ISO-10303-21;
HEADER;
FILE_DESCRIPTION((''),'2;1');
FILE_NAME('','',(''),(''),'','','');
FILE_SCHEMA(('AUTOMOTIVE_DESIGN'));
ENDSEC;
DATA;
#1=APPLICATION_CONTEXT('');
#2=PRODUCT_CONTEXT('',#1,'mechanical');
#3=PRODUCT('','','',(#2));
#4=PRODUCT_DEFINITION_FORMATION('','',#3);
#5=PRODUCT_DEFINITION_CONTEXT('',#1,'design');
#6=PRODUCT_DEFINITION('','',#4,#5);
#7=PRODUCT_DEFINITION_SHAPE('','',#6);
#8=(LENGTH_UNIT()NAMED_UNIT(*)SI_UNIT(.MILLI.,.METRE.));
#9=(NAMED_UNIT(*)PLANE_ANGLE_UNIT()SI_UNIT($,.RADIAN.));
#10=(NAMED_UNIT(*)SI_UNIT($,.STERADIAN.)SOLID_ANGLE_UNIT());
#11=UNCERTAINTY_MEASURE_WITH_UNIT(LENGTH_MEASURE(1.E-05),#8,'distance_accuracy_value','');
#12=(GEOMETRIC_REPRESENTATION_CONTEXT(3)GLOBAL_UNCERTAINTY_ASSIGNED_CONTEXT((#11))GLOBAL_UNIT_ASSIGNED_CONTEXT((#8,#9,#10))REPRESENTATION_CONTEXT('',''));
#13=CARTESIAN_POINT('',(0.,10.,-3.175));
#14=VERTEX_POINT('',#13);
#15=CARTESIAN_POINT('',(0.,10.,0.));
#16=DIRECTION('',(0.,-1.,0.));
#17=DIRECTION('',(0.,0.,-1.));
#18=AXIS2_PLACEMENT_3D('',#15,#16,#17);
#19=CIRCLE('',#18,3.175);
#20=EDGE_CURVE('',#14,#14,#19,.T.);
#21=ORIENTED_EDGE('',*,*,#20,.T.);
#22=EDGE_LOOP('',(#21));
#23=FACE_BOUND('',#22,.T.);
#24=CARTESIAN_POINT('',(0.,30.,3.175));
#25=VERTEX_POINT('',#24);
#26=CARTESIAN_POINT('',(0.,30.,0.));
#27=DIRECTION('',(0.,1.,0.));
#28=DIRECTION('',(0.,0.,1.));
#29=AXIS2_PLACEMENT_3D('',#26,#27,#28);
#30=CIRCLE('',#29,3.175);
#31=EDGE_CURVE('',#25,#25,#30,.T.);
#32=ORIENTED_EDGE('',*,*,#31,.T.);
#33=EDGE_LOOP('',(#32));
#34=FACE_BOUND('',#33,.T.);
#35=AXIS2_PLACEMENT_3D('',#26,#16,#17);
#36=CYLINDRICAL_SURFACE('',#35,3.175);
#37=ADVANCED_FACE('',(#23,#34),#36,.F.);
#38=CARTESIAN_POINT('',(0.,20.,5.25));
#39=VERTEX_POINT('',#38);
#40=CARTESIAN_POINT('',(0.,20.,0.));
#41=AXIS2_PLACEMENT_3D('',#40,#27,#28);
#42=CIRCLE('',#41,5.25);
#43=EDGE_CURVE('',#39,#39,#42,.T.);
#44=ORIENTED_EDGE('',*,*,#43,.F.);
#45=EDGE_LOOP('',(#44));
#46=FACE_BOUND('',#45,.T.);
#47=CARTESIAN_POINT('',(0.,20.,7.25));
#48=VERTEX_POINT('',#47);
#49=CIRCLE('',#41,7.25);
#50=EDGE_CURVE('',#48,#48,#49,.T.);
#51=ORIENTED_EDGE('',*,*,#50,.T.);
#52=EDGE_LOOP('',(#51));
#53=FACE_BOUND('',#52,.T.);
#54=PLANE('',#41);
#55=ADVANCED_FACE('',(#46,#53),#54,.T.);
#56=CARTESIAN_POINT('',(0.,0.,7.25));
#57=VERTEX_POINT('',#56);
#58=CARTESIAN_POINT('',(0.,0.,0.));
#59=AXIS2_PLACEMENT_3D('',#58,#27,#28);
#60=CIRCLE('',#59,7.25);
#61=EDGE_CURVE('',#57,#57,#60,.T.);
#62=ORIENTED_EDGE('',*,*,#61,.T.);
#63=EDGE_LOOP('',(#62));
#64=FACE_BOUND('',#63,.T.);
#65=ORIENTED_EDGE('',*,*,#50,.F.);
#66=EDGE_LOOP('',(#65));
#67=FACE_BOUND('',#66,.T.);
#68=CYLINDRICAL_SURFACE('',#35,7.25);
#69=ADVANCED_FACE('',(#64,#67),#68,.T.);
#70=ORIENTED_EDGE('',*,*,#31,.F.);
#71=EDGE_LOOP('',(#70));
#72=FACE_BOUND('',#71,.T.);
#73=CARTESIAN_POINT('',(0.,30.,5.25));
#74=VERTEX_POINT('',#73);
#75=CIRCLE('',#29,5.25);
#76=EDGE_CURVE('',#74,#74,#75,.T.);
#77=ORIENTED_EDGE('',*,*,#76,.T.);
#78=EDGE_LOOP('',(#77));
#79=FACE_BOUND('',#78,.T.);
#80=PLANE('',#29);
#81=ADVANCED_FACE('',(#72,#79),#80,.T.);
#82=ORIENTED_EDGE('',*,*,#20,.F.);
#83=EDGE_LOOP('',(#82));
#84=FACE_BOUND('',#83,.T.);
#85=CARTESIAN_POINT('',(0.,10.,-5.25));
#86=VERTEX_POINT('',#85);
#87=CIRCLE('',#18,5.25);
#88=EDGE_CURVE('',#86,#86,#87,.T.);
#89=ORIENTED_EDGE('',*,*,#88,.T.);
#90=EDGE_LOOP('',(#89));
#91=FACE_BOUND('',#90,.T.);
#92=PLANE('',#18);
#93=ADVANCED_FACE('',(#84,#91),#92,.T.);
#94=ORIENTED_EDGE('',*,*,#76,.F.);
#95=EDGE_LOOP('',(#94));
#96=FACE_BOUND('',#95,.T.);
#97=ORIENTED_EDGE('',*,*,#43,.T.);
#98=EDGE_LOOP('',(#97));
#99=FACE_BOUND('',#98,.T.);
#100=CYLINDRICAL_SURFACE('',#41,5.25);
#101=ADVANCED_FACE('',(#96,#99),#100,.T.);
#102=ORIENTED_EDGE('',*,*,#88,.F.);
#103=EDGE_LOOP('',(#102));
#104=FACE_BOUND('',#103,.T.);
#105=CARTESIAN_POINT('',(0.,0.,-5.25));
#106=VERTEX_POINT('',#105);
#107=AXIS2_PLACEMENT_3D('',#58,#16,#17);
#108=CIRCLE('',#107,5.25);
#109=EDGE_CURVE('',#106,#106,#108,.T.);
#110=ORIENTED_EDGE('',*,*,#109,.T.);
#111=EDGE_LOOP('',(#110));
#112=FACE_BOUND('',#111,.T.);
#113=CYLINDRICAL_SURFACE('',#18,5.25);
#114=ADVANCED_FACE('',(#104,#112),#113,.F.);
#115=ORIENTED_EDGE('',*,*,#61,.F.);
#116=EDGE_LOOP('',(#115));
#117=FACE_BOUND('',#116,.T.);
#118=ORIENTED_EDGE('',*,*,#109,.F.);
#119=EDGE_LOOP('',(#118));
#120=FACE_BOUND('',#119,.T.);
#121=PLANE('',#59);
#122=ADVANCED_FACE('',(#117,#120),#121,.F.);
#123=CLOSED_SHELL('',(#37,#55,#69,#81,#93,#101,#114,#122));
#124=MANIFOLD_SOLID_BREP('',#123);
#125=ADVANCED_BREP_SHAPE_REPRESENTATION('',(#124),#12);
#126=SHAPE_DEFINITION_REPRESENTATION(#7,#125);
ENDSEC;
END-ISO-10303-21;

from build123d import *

# Parameters (mm, degrees)
SKETCH1_R           = 7.25
SKETCH1_R_2         = 3.175
BOSS_EXTRUDE1_DEPTH = 30
SKETCH2_OUTSIDE_W   = 23.768
SKETCH2_OUTSIDE_H   = 23.768
SKETCH2_OUTSIDE_R   = 5.25
CUT_EXTRUDE1_DEPTH  = 10
SKETCH3_R           = 5.25
CUT_EXTRUDE2_DEPTH  = 10


with BuildPart() as part:
    # Sketch1 → Boss-Extrude1 (new body)
    with BuildSketch(Plane(origin=(0, 0, 0), x_dir=(1, 0, 0), z_dir=(0, 1, 0))):
        Circle(SKETCH1_R)
        Circle(SKETCH1_R_2, mode=Mode.SUBTRACT)
    extrude(amount=BOSS_EXTRUDE1_DEPTH)

    # Sketch2 outside → Cut-Extrude1 (cut)
    with BuildSketch(Plane(origin=(0, 30, 0), x_dir=(1, 0, 0), z_dir=(0, 1, 0))):
        Rectangle(SKETCH2_OUTSIDE_W, SKETCH2_OUTSIDE_H)
        Circle(SKETCH2_OUTSIDE_R, mode=Mode.SUBTRACT)
    extrude(amount=-CUT_EXTRUDE1_DEPTH, mode=Mode.SUBTRACT)

    # Sketch3 → Cut-Extrude2 (cut)
    with BuildSketch(Plane.XZ):
        Circle(SKETCH3_R)
    extrude(amount=-CUT_EXTRUDE2_DEPTH, mode=Mode.SUBTRACT)


solid = part.part
